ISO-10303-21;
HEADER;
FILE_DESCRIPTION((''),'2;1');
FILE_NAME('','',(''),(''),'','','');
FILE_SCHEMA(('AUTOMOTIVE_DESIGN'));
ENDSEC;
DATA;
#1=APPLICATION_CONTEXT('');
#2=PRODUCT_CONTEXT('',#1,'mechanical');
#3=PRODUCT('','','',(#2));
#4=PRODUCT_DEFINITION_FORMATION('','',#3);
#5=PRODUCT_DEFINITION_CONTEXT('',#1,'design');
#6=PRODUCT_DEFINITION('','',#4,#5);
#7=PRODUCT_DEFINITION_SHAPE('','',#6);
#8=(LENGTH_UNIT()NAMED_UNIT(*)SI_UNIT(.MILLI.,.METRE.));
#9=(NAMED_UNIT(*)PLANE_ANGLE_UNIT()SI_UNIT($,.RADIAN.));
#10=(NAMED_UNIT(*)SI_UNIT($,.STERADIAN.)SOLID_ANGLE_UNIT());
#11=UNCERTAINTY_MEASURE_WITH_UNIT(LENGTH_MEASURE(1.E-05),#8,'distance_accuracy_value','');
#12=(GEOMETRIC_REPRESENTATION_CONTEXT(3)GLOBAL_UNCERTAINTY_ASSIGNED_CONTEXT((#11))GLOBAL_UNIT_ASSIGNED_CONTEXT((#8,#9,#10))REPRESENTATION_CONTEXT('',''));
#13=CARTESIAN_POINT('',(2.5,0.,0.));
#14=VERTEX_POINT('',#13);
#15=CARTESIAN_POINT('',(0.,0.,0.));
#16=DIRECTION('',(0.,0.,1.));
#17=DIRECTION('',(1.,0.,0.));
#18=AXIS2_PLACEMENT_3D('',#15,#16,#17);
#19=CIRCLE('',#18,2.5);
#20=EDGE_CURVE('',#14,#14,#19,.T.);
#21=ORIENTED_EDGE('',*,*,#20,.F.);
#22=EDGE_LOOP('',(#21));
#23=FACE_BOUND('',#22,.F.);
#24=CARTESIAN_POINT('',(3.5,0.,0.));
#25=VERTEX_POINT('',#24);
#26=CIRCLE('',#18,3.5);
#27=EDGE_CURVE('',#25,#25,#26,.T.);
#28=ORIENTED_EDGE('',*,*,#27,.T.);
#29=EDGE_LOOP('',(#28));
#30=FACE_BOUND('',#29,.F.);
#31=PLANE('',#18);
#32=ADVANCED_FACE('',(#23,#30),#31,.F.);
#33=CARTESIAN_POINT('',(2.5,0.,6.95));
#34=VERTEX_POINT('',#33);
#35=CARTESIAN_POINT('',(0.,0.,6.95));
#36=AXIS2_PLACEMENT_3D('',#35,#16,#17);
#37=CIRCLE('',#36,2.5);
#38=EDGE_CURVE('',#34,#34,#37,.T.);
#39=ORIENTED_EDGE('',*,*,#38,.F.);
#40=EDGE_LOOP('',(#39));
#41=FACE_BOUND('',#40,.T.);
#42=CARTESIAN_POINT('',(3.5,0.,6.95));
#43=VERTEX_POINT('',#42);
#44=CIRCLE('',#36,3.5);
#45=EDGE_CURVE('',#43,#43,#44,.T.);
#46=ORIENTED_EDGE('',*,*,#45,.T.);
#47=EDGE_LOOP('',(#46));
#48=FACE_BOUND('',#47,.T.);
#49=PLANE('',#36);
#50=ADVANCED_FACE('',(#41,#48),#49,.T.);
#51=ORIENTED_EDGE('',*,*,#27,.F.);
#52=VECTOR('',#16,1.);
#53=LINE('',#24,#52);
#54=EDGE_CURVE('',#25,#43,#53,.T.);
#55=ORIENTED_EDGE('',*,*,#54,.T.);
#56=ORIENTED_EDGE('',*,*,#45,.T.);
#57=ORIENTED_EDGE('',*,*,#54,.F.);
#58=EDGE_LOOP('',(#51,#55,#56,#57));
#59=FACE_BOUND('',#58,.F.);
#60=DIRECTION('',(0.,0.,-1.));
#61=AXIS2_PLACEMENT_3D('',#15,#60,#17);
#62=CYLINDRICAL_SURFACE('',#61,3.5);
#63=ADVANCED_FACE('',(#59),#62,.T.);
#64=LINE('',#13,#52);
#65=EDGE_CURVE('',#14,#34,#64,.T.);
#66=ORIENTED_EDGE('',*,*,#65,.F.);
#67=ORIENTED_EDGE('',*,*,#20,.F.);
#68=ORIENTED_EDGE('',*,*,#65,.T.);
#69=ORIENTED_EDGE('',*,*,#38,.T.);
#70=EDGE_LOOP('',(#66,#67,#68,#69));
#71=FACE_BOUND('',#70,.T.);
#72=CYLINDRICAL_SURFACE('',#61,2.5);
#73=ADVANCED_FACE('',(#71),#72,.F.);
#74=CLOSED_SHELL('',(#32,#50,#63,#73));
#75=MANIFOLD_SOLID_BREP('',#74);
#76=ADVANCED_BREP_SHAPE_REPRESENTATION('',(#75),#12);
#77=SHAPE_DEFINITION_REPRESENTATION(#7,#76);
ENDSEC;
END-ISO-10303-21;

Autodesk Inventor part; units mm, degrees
ref_plane "YZ Plane" through (0, 0, 0) normal (1, 0, 0) x (0, 1, 0)
ref_plane "XZ Plane" through (0, 0, 0) normal (0, 1, 0) x (-1, 0, 0)
ref_plane "XY Plane" through (0, 0, 0) normal (0, 0, 1) x (1, 0, 0)
sketch "Szkic1" plane through (0, 0, 0) normal (0, 0, 1) x (1, 0, 0)
  circle A0 centre (0, 0) radius 2.5
  circle A1 centre (0, 0) radius 3.5
  dimension "d0" = 5
  dimension "d1" = 7
extrude "Wyciągnięcie proste1" add sketch "Szkic1" along normal blind 6.95
properties part number "tuleja_gora"
